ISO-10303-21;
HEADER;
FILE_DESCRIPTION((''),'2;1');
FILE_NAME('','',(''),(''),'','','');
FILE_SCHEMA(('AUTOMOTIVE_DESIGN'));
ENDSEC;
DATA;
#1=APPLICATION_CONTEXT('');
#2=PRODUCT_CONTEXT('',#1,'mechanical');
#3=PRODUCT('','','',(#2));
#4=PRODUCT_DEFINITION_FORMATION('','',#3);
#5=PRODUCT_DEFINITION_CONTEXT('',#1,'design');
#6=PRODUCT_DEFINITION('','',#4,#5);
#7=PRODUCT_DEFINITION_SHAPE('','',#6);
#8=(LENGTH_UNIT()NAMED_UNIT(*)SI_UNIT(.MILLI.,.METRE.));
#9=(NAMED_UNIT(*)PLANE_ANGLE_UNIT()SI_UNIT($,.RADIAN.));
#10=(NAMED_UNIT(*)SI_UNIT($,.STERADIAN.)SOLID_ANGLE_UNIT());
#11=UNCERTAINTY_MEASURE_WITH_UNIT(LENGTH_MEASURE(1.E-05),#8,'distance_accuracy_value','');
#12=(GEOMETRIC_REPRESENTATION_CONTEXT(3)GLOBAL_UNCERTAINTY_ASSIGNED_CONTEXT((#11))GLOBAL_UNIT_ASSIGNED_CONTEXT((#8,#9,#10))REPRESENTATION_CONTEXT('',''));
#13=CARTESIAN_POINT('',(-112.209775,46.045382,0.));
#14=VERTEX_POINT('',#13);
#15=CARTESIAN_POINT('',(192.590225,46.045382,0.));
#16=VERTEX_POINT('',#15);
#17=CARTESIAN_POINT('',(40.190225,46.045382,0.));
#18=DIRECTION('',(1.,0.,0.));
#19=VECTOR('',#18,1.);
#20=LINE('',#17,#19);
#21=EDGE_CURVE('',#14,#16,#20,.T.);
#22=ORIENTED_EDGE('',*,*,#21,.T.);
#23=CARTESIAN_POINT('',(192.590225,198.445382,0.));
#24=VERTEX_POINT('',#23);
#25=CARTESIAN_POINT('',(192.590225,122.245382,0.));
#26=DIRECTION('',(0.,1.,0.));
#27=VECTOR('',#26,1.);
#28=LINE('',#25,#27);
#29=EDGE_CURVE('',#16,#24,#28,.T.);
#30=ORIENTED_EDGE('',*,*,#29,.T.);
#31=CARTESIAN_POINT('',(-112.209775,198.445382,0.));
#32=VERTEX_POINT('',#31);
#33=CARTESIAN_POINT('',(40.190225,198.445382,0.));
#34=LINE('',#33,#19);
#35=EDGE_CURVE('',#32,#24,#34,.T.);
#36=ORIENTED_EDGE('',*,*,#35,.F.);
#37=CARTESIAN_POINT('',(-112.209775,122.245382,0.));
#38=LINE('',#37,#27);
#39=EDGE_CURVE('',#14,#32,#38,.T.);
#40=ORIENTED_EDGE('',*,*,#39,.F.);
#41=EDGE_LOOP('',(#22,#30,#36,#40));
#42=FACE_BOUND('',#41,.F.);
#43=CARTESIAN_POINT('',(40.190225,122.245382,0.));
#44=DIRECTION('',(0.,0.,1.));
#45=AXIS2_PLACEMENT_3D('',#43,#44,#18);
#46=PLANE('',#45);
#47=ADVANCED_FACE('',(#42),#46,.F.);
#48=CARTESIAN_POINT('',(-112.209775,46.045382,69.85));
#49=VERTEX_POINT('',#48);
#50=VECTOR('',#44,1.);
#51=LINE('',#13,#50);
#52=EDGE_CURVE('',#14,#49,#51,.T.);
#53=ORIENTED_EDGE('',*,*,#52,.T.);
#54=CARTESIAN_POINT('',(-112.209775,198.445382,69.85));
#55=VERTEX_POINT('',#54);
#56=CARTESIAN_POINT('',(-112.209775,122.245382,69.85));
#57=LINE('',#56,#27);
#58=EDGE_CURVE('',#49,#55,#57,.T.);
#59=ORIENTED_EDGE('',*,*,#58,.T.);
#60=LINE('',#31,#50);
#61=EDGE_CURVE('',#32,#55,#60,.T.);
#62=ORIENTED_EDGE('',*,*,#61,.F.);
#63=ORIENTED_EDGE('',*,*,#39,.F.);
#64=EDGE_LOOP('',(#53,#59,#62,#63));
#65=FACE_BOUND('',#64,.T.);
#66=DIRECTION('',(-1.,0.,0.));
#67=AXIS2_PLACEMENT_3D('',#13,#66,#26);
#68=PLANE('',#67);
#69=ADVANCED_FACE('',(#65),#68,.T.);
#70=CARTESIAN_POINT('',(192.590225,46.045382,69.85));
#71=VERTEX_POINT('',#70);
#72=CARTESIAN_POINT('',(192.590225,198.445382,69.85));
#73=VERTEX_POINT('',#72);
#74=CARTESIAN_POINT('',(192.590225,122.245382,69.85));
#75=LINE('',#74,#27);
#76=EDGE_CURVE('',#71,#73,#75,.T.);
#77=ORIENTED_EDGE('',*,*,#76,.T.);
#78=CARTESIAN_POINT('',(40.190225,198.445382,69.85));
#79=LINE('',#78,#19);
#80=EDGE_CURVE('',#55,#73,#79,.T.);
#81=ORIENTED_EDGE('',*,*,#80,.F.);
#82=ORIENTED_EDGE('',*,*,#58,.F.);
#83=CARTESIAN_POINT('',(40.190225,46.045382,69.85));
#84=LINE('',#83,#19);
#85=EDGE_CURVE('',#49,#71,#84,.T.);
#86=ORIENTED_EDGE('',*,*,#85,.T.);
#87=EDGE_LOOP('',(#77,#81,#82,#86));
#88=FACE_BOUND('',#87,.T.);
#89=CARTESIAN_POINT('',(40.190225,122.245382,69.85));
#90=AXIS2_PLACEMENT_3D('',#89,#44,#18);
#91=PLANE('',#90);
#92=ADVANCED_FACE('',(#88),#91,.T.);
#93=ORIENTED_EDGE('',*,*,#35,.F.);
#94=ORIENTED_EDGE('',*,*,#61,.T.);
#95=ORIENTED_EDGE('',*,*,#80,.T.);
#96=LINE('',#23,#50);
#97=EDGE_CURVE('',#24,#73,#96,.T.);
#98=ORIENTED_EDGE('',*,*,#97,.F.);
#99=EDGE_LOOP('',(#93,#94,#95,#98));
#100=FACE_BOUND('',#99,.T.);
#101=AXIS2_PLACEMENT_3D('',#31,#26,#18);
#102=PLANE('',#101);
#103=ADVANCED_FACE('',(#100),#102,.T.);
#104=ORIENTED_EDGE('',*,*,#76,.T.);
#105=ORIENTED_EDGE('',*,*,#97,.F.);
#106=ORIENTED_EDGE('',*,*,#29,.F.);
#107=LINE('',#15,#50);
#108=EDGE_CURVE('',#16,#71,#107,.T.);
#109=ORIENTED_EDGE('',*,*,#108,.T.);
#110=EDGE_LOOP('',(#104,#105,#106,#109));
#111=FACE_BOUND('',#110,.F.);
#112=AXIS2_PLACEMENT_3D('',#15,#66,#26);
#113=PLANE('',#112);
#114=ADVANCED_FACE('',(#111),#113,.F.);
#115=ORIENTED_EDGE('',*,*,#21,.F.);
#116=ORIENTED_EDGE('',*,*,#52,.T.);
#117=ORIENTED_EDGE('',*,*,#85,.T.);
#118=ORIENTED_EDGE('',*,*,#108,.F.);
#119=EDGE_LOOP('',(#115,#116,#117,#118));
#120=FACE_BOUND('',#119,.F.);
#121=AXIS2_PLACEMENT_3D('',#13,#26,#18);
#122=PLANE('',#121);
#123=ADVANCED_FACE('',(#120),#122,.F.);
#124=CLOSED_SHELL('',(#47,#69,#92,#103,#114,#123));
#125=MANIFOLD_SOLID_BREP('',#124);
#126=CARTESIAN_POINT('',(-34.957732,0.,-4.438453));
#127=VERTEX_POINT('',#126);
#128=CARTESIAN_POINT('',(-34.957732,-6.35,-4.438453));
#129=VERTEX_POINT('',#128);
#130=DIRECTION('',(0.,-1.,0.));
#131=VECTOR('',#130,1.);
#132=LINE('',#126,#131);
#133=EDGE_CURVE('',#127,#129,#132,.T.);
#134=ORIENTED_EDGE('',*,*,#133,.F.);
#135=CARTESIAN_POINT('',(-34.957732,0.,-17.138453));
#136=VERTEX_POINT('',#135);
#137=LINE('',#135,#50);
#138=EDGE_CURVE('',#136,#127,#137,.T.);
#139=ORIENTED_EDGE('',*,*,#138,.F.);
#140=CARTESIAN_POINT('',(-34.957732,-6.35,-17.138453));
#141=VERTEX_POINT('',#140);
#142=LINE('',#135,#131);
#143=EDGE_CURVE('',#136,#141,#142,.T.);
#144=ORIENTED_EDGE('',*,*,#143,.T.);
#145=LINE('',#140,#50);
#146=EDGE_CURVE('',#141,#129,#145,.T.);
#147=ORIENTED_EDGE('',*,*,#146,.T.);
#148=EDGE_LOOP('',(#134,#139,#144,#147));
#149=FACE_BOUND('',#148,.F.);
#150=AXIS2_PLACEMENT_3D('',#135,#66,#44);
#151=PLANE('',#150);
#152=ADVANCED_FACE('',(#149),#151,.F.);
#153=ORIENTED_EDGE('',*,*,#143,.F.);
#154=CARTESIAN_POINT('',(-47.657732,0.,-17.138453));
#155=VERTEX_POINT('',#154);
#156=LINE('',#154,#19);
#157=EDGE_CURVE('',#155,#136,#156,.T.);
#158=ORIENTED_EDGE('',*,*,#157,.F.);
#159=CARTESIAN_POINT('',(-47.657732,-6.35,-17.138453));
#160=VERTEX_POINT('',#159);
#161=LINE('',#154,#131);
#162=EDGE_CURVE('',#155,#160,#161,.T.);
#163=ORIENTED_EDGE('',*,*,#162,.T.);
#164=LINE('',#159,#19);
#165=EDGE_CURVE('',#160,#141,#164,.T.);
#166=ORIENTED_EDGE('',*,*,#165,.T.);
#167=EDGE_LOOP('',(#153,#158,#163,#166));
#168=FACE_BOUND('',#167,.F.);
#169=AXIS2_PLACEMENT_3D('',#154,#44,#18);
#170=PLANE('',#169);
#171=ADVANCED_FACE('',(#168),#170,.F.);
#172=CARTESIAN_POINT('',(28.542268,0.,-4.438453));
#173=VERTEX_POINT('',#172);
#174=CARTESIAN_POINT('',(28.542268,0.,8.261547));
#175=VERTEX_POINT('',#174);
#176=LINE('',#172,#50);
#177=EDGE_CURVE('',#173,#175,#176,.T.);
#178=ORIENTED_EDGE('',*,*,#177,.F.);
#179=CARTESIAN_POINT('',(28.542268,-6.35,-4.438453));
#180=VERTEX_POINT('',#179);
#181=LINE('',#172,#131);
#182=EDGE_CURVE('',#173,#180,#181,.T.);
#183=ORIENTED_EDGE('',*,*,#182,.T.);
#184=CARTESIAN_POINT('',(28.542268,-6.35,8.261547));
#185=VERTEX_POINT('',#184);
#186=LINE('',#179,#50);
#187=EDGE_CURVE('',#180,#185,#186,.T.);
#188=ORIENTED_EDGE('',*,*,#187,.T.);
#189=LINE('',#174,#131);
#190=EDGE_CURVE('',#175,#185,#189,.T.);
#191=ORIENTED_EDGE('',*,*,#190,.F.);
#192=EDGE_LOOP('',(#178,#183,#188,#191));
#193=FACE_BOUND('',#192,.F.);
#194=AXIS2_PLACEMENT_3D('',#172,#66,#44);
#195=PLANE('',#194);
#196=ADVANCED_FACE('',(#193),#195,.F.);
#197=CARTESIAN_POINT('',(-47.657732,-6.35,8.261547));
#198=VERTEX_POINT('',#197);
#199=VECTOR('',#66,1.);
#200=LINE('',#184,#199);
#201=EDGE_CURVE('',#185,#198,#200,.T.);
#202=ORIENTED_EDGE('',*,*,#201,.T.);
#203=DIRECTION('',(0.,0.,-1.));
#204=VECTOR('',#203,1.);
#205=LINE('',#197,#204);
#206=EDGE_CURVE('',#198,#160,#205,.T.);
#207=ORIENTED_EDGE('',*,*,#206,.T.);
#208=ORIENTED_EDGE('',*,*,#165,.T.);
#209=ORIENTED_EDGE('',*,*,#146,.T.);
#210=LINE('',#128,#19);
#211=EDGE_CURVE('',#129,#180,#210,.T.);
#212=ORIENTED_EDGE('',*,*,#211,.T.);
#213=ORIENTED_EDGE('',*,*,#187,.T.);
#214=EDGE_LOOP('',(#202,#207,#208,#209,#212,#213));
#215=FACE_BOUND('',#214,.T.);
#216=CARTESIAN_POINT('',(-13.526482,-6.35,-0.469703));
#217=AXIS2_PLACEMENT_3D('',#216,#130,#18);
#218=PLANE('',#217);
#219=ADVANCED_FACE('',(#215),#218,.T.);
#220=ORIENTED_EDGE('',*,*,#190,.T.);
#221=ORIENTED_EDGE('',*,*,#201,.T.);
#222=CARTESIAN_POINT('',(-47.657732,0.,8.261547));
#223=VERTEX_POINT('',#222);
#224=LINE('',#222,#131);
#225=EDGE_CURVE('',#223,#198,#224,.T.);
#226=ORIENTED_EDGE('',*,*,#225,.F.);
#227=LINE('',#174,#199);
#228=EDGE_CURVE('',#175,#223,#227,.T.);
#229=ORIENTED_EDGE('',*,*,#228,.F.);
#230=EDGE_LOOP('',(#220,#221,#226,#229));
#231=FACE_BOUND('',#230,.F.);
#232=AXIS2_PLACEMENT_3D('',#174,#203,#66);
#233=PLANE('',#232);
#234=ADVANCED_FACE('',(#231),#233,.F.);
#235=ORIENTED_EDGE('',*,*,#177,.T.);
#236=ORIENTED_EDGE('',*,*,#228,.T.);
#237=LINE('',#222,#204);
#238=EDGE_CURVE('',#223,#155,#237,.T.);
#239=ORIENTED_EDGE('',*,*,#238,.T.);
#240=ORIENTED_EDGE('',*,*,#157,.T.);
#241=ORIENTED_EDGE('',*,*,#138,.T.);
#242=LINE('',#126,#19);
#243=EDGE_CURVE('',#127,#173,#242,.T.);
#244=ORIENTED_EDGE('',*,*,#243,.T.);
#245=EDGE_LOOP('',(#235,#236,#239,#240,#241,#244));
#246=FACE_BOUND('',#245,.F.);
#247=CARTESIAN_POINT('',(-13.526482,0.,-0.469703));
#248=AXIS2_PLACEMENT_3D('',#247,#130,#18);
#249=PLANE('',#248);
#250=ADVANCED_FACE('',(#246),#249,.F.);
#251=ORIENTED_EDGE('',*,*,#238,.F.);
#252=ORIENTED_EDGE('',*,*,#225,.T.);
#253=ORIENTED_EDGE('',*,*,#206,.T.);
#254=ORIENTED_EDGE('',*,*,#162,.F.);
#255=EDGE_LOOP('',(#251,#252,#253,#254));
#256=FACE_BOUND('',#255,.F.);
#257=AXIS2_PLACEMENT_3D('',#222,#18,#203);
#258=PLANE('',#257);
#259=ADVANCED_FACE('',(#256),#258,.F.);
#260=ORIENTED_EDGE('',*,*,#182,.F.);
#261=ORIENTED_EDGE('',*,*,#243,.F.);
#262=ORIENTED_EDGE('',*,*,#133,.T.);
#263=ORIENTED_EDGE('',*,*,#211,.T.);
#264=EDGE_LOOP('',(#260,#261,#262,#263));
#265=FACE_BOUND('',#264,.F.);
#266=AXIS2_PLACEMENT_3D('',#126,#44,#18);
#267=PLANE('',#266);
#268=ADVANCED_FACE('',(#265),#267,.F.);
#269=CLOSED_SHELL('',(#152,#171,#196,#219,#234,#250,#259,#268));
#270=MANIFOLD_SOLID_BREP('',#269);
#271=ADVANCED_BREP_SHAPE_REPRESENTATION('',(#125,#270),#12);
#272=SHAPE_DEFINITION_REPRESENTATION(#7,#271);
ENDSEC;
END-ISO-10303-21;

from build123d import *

# Parameters (mm, degrees)
F1_DEPTH = 6.35
F2_W     = 304.8
F2_H     = 152.4
F3_DEPTH = 69.85


with BuildPart() as f1:
    # F0 (on Front) → F1 (new body)
    with BuildSketch(Plane.XZ):
        Polygon((-47.657732, 8.261547), (-47.657732, -17.138453), (-34.957732, -17.138453), (-34.957732, -4.438453), (28.542268, -4.438453), (28.542268, 8.261547), align=None)
    extrude(amount=F1_DEPTH)


with BuildPart() as f3:
    # F2 (on Top) → F3 (new body)
    with BuildSketch(Plane.XY):
        with Locations((40.190225, 122.245382)):
            Rectangle(F2_W, F2_H)
    extrude(amount=F3_DEPTH)


solid = Compound([f1.part, f3.part])
